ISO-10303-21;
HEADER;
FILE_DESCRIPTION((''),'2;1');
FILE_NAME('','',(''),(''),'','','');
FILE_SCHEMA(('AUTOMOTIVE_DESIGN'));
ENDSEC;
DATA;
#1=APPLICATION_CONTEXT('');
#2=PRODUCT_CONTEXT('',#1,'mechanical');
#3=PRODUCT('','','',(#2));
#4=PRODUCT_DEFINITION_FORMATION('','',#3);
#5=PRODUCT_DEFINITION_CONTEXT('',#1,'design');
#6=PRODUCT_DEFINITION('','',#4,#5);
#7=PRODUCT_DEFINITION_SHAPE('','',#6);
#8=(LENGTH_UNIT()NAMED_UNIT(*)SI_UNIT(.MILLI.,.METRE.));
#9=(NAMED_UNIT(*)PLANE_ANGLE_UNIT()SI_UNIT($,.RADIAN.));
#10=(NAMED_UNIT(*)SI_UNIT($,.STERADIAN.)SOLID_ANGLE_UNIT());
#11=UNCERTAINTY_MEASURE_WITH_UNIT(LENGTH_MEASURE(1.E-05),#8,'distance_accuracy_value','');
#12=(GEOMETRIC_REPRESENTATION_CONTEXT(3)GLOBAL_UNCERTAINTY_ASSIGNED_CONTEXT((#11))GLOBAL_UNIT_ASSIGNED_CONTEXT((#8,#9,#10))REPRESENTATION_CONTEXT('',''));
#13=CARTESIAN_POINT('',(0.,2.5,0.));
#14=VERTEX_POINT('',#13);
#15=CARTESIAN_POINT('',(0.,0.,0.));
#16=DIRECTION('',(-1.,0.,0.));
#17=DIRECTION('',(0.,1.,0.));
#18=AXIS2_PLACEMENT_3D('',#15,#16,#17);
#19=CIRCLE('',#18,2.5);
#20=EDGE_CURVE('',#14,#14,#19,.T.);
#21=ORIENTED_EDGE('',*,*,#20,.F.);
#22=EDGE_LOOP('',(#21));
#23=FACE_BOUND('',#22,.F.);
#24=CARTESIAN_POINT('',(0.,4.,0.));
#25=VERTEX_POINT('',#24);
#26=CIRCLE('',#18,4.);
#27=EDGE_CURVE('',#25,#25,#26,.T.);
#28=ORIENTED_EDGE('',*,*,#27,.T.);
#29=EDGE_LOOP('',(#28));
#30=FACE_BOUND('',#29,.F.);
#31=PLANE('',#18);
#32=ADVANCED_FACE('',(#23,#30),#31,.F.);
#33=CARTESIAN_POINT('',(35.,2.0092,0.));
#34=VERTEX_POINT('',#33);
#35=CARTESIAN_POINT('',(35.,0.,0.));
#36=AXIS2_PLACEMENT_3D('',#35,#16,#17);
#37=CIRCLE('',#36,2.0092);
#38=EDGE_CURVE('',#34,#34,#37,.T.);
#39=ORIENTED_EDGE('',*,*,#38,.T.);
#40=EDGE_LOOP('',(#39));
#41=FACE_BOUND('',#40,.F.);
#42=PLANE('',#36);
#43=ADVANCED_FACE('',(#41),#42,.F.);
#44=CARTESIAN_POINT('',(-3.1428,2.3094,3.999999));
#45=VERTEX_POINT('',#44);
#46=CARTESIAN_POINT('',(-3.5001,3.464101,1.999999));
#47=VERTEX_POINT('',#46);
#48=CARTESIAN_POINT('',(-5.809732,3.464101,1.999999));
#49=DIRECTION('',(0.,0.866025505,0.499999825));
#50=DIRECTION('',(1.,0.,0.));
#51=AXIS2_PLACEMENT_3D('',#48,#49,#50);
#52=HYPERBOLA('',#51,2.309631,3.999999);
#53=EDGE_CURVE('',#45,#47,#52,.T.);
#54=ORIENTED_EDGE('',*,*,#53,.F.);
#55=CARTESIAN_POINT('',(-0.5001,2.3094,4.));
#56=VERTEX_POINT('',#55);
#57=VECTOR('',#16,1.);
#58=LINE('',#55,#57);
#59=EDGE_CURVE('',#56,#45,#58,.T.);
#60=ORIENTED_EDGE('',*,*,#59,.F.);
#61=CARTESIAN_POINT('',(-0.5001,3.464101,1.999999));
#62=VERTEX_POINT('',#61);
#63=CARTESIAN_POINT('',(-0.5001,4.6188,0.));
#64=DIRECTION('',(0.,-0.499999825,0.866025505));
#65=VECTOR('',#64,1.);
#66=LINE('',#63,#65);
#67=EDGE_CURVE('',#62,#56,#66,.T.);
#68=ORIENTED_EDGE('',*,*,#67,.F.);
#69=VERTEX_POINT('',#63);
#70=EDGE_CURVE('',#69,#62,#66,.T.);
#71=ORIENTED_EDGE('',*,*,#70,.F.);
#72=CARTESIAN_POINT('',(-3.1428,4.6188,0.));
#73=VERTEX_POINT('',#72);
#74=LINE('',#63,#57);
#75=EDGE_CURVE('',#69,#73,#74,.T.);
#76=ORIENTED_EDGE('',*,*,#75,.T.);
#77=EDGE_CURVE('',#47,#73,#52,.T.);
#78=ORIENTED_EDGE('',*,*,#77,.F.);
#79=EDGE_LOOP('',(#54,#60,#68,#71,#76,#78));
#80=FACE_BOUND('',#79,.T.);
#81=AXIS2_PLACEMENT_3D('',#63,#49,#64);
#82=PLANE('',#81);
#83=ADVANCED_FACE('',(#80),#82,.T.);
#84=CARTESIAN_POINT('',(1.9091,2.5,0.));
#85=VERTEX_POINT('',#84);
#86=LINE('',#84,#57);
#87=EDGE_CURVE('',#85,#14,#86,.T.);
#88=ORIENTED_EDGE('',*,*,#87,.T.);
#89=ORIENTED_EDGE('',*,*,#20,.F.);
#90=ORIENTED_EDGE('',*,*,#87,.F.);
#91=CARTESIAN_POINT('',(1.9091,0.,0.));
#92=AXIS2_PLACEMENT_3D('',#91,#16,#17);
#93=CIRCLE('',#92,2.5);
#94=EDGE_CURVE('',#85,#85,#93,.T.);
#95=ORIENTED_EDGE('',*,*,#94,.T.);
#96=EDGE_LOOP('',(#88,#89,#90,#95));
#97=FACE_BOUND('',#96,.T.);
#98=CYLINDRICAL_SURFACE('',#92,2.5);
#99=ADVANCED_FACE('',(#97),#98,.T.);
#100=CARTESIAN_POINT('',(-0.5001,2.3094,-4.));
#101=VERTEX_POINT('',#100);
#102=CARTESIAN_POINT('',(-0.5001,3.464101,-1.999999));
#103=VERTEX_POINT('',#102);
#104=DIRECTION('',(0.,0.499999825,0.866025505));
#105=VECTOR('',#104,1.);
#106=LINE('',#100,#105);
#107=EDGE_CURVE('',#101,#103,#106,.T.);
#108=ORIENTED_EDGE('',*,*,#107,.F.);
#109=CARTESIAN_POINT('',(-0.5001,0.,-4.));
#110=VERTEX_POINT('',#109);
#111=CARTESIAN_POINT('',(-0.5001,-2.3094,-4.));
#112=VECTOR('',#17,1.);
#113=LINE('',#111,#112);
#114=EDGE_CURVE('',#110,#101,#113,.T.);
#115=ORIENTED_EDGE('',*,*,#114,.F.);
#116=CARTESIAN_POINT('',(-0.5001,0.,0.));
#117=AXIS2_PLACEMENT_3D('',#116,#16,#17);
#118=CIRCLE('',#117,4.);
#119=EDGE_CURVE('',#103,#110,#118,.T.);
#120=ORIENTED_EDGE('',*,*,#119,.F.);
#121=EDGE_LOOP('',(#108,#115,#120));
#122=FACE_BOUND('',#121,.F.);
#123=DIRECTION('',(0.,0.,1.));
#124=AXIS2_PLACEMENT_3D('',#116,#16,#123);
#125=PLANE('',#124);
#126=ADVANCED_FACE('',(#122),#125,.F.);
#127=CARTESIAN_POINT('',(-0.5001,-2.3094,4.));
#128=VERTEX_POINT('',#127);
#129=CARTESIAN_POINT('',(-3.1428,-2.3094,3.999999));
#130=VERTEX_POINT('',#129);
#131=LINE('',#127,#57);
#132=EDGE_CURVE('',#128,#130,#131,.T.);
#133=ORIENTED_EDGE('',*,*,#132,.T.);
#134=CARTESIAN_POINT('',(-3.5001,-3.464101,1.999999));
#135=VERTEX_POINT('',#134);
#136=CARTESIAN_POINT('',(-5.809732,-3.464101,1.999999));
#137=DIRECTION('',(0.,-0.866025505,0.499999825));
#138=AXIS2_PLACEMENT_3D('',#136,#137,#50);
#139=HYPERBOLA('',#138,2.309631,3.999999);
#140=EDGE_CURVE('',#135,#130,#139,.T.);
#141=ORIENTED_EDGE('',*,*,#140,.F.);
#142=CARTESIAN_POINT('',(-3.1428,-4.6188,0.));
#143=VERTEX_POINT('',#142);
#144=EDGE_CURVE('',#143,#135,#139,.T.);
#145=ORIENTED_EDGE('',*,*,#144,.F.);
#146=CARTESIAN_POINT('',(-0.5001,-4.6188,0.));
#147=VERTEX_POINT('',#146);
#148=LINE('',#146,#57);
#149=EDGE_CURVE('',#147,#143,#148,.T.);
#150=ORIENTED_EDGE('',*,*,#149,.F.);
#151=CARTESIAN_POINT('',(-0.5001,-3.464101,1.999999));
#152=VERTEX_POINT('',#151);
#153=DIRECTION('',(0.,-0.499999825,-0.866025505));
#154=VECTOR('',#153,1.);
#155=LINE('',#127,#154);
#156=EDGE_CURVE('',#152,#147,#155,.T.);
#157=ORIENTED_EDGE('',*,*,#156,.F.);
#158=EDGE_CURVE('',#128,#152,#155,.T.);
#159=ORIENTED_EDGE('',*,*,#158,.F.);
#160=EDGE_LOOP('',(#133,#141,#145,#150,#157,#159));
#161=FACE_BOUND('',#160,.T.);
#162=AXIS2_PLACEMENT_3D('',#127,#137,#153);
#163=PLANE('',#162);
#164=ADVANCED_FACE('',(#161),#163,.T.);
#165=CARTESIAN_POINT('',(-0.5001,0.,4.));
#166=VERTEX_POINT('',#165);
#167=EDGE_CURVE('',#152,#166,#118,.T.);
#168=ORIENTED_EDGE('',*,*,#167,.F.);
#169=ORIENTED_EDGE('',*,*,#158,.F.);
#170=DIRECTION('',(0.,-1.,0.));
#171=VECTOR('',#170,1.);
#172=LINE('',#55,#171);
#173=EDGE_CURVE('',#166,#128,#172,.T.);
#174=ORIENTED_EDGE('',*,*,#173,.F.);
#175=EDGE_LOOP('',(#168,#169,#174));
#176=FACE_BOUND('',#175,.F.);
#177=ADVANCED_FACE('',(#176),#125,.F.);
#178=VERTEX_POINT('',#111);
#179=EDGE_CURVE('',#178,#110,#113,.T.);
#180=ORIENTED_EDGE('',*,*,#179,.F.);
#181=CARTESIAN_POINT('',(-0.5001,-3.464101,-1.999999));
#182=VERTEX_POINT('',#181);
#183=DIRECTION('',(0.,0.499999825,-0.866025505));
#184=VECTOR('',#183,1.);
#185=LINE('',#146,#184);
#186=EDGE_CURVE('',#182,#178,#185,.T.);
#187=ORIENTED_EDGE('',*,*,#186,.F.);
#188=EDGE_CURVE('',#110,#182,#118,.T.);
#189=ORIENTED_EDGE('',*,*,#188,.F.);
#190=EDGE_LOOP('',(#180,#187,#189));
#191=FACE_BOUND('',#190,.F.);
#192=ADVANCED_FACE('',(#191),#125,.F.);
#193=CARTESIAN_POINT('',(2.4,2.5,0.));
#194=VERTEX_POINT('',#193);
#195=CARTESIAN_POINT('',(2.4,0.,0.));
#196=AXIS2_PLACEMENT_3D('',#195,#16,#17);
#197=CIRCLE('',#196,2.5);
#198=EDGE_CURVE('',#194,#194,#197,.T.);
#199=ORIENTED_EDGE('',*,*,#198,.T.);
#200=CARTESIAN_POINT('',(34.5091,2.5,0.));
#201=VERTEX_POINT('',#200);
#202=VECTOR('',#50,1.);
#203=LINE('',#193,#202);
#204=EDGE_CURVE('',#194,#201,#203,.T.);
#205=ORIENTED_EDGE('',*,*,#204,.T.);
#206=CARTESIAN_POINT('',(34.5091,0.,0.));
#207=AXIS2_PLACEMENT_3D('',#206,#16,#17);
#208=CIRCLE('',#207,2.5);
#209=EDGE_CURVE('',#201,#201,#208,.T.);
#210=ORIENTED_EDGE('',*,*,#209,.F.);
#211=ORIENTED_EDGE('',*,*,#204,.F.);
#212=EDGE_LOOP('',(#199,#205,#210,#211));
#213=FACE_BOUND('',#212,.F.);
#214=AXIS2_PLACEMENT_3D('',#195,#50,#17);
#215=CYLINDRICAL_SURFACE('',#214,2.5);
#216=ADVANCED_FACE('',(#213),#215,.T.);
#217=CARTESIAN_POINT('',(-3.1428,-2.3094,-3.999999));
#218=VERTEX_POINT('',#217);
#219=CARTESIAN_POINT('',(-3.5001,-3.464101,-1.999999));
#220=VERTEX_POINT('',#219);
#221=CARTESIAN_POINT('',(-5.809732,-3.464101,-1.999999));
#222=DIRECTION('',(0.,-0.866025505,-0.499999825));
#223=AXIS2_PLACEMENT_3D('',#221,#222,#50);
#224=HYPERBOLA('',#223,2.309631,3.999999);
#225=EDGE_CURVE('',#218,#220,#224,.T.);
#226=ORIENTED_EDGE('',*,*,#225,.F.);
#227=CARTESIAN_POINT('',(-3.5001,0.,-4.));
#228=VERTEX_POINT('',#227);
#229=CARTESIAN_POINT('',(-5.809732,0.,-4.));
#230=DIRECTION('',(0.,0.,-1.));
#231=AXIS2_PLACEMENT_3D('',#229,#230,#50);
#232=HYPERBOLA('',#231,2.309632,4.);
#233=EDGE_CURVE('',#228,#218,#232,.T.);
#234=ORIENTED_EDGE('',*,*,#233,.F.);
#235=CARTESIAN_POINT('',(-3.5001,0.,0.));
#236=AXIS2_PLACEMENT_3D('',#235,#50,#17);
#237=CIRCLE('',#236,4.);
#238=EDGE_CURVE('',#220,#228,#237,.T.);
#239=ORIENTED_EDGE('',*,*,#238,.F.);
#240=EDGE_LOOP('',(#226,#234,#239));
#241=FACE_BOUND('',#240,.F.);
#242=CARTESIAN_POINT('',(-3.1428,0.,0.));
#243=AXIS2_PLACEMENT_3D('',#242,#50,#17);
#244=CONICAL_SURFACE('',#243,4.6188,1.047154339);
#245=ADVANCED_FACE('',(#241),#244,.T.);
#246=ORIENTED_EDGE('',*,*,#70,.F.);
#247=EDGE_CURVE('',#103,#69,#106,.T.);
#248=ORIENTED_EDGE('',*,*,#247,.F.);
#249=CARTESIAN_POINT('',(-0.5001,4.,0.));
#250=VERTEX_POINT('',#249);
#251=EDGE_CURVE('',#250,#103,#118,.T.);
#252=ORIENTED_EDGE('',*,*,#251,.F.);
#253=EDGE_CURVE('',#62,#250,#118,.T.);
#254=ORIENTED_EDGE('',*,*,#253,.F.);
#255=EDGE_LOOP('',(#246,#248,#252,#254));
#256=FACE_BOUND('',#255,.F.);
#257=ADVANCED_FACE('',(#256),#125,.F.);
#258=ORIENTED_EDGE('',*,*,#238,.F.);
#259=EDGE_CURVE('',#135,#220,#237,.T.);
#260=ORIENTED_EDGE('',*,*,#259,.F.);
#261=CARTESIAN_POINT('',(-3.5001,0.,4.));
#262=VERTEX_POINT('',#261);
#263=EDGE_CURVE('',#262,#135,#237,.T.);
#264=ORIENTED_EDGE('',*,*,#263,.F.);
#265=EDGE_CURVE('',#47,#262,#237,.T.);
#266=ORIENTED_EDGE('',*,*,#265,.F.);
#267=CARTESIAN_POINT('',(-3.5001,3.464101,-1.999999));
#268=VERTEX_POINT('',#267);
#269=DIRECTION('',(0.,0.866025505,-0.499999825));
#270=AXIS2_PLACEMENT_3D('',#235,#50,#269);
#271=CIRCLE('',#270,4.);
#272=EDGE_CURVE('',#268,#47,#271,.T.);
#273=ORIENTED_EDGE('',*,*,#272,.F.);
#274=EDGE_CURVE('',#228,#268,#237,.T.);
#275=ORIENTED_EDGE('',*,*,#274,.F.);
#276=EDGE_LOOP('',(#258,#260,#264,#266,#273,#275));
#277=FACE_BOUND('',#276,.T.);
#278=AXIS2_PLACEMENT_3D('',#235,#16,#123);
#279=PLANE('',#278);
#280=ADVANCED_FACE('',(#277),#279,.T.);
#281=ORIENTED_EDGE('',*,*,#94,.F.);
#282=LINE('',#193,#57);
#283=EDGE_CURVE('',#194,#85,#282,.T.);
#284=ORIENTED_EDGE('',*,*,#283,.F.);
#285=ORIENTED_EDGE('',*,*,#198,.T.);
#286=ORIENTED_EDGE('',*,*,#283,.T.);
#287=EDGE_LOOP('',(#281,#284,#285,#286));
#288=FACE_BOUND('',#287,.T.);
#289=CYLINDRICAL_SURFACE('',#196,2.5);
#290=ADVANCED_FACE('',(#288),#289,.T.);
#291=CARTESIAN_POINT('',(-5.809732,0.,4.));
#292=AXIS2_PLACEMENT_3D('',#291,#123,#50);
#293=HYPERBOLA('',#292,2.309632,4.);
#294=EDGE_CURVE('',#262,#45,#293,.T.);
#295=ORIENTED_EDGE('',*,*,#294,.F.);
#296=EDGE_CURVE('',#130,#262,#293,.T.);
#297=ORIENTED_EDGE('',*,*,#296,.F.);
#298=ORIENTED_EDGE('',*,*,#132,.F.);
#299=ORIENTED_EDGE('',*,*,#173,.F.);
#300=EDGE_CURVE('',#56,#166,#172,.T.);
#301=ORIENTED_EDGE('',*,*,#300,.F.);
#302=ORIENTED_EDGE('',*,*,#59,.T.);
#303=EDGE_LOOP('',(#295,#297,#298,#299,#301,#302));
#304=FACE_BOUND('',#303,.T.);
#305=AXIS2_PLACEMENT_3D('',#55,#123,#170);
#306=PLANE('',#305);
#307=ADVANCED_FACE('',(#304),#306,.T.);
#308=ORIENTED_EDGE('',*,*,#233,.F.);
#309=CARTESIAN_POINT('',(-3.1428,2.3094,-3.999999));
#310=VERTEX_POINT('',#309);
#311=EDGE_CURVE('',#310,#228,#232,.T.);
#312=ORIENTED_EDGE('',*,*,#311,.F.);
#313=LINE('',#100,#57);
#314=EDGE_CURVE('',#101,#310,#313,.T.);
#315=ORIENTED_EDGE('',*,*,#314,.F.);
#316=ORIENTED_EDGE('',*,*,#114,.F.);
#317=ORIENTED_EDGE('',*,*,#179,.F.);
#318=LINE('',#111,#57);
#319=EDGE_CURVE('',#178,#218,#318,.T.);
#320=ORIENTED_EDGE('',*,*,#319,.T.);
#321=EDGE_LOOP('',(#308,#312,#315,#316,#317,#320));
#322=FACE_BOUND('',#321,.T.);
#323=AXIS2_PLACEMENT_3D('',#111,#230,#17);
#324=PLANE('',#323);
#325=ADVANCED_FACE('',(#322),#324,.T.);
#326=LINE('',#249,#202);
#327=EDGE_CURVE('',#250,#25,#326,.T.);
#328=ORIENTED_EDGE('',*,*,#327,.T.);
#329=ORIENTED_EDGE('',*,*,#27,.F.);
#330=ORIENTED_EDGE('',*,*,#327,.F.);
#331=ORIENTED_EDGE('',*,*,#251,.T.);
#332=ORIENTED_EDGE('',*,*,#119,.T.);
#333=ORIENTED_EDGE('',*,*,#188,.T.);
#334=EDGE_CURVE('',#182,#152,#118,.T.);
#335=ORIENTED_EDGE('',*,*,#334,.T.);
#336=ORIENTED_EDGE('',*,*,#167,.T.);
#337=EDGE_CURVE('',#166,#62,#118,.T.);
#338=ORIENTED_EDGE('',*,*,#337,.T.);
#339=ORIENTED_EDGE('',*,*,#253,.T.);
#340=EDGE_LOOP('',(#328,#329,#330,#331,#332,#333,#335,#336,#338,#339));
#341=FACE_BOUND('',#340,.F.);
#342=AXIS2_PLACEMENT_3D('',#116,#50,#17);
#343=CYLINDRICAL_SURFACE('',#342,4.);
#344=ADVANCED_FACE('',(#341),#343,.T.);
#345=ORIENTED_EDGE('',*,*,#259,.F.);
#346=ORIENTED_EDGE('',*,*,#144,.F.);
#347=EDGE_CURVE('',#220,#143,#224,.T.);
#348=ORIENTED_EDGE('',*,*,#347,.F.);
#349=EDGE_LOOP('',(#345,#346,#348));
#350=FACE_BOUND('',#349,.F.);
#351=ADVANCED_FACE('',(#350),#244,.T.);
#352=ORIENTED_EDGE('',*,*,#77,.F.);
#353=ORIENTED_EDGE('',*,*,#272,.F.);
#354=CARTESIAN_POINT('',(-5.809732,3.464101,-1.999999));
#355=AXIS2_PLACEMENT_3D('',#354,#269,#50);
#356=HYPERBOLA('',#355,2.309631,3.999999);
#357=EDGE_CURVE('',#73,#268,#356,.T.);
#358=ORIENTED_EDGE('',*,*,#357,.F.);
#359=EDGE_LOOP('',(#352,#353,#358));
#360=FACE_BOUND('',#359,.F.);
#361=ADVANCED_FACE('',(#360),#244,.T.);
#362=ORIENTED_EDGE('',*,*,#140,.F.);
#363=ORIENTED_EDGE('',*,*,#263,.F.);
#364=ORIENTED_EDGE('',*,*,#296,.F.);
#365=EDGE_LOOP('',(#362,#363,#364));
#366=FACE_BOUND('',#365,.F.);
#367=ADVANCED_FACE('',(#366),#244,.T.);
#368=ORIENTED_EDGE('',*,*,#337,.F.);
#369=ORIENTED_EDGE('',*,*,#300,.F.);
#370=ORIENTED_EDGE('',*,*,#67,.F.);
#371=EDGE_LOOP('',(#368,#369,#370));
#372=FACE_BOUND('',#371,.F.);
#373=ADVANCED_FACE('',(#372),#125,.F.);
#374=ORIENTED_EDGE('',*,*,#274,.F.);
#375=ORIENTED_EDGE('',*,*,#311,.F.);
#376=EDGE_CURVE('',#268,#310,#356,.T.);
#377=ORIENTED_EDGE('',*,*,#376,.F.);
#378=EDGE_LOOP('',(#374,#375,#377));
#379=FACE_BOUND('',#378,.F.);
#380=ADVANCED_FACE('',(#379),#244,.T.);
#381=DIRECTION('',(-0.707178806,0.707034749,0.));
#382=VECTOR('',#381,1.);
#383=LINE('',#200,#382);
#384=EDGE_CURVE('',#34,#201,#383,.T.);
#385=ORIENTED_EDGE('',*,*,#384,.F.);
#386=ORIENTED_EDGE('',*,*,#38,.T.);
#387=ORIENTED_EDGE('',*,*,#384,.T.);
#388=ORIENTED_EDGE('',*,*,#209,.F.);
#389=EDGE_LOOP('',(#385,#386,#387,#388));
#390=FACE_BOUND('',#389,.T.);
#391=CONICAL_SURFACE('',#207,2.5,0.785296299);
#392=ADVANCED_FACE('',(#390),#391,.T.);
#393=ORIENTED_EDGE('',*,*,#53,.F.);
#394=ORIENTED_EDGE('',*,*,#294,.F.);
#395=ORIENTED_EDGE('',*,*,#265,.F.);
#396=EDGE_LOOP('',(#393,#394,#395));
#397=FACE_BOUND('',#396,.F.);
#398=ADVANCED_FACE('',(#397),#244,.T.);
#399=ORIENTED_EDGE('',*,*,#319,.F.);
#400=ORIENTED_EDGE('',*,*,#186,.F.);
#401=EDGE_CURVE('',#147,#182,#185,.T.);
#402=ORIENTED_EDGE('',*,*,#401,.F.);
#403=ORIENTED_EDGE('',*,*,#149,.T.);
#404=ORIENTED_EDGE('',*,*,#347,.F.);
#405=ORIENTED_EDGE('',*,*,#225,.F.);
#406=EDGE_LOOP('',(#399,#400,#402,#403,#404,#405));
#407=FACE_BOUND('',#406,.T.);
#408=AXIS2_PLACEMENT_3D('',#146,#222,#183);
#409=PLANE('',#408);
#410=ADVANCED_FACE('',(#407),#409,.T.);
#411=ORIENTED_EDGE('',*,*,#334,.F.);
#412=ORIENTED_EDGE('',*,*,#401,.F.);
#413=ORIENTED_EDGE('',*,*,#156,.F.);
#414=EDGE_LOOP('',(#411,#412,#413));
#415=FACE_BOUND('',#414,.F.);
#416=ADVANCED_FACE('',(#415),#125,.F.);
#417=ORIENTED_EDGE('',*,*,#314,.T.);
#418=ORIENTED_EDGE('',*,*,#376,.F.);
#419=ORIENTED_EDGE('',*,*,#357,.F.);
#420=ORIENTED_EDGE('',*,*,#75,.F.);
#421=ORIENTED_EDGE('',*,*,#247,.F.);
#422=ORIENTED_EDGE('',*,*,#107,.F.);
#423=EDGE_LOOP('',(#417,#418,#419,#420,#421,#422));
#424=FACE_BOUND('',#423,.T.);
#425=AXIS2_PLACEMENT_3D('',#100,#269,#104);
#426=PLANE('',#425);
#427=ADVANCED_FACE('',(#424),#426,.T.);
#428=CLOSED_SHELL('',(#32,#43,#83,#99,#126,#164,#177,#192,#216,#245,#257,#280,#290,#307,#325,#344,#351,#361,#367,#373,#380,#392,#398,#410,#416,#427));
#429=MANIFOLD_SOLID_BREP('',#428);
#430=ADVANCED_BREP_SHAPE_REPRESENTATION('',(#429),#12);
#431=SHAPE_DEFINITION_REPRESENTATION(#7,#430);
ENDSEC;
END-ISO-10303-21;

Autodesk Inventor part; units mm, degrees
ref_plane "YZ Plane" through (0, 0, 0) normal (1, 0, 0) x (0, 1, 0)
ref_plane "XZ Plane" through (0, 0, 0) normal (0, 1, 0) x (-1, 0, 0)
sketch "Sketch1" plane through (0, 0, 0) normal (0, 0, 1) x (1, 0, 0)
  line L0 (0, 4) -> (0, 2.5)
  line L1 (2.4, 2.5) -> (35, 2.5)
  line L2 (35, 2.5) -> (35, 0)
  line L3 (35, 0) -> (-0.5001, 0)
  line L4 (-7.6001, 0) -> (42.1, 0) projected
  line L5 (-0.5001, 0) -> (-0.5001, 4)
  line L6 (-0.5001, 4) -> (0, 4)
  line L7 (2.4, 2.5) -> (1.9091, 2.5)
  line L8 (1.9091, 2.5) -> (0, 2.5)
  line L9 (0, -0.8) -> (0, 4.8) projected
  dimension "d0" = 35
  dimension "d1" = 32.6
  dimension "d2" = 5
  dimension "d9" = 0.5001
  dimension "d10" = 8
  dimension "d13" = 0.4909
  dimension "d14" = 5
revolve "Body" add sketch "Sketch1" angle 360 about axis through (35, 0, 0) along (-1, 0, 0)
sketch "Sketch2" plane through (-0.5001, 0, 0) normal (-1, 0, 0) x (0, 0, 1)
  line L0 (0, 4.6188) -> (4, 2.3094)
  line L1 (4, 2.3094) -> (4, -2.3094)
  line L2 (4, -2.3094) -> (0, -4.6188)
  line L3 (0, -4.6188) -> (-4, -2.3094)
  line L4 (-4, -2.3094) -> (-4, 2.3094)
  line L5 (-4, 2.3094) -> (0, 4.6188)
  point P0 (0, 0)
  point P1 (0, 0)
  dimension "d11" = 8
extrude "Head" add sketch "Sketch2" along normal blind 3
sketch "Sketch4" plane through (0, 0, 0) normal (0, 0, 1) x (1, 0, 0)
  line L0 (-3.5001, 4) -> (-3.5001, 4.6188)
  line L1 (-3.5001, 4.6188) -> (-3.1428, 4.6188)
  line L2 (-3.1428, 4.6188) -> (-3.5001, 4)
  line L3 (-4.1001, 0) -> (0.0999, 0) projected
  line L4 (-0.5001, 4.6188) -> (-3.5001, 4.6188) projected
  line L5 (-3.5001, 2.3094) -> (-3.5001, 4.6188) projected
  dimension "d5" = 30
  dimension "d19" = 8
revolve "Chamfer1" cut sketch "Sketch4" angle 360 about axis through (-10, 0, 0) along (1, 0, 0)
thread "Thread" size "M5x0.8" class "6g" standard "ISO Metric profile" length 32.6
chamfer "Chamfer2" distance 0.4908 distance2 0.4909 1 edges at (35, -2.5, 0) measured on face at (35, 0.8016, -0.646)
ref_plane "Work Plane1" through (1.525, 0, 0) normal (0, 0, 1) x (1, 0, 0)
equation "\"d0\" = NLG"
equation "\"d1\" = GEL"
equation "\"d2\" = GD"
equation "\"d10\" = SD2"
equation "\"d14\" = BDM"
equation "\"d11\" = SW"
equation "\"d3\" = KOH - SD"
equation "\"d5\" = ANG1"
equation "\"d19\" = SW0"
equation "\"d15\" = GEL"
equation "\"d6\" = -0.5 * SPD + 0.5 * GD"
equation "\"NLG\" = 35"
equation "\"GD\" = NND"
equation "\"BDM\" = NND"
equation "\"KOH\" = 3.5"
equation "\"GEL\" = 32.6"
equation "\"SW\" = 8"
equation "\"SW0\" = SW"
equation "\"SPD\" = NND - 1.2269 * PTC"
equation "\"SD2\" = SW"
equation "\"SD\" = 0.5"
equation "\"ANG1\" = 30deg"
equation "\"GAL\" = 0.61345 * PTC"
equation "\"GUL\" = 0.61345 * PTC"
equation "\"RR\" = 0.2"
equation "\"WFT\" = SD"
equation "\"GD1\" = THREADDIA - 1.2269 * PTC"
equation "\"THREADDIA\" = 5"
equation "\"SDH\" = SW"
equation "\"TOA\" = 30deg"
equation "\"FAWI\" = 45deg"
equation "\"PTC\" = 0.8"
equation "\"NND\" = 5"
equation "\"E0\" = 1.155 * SW"
properties part number "AS 1110 - M5 x 35" material "Steel, Mild"
